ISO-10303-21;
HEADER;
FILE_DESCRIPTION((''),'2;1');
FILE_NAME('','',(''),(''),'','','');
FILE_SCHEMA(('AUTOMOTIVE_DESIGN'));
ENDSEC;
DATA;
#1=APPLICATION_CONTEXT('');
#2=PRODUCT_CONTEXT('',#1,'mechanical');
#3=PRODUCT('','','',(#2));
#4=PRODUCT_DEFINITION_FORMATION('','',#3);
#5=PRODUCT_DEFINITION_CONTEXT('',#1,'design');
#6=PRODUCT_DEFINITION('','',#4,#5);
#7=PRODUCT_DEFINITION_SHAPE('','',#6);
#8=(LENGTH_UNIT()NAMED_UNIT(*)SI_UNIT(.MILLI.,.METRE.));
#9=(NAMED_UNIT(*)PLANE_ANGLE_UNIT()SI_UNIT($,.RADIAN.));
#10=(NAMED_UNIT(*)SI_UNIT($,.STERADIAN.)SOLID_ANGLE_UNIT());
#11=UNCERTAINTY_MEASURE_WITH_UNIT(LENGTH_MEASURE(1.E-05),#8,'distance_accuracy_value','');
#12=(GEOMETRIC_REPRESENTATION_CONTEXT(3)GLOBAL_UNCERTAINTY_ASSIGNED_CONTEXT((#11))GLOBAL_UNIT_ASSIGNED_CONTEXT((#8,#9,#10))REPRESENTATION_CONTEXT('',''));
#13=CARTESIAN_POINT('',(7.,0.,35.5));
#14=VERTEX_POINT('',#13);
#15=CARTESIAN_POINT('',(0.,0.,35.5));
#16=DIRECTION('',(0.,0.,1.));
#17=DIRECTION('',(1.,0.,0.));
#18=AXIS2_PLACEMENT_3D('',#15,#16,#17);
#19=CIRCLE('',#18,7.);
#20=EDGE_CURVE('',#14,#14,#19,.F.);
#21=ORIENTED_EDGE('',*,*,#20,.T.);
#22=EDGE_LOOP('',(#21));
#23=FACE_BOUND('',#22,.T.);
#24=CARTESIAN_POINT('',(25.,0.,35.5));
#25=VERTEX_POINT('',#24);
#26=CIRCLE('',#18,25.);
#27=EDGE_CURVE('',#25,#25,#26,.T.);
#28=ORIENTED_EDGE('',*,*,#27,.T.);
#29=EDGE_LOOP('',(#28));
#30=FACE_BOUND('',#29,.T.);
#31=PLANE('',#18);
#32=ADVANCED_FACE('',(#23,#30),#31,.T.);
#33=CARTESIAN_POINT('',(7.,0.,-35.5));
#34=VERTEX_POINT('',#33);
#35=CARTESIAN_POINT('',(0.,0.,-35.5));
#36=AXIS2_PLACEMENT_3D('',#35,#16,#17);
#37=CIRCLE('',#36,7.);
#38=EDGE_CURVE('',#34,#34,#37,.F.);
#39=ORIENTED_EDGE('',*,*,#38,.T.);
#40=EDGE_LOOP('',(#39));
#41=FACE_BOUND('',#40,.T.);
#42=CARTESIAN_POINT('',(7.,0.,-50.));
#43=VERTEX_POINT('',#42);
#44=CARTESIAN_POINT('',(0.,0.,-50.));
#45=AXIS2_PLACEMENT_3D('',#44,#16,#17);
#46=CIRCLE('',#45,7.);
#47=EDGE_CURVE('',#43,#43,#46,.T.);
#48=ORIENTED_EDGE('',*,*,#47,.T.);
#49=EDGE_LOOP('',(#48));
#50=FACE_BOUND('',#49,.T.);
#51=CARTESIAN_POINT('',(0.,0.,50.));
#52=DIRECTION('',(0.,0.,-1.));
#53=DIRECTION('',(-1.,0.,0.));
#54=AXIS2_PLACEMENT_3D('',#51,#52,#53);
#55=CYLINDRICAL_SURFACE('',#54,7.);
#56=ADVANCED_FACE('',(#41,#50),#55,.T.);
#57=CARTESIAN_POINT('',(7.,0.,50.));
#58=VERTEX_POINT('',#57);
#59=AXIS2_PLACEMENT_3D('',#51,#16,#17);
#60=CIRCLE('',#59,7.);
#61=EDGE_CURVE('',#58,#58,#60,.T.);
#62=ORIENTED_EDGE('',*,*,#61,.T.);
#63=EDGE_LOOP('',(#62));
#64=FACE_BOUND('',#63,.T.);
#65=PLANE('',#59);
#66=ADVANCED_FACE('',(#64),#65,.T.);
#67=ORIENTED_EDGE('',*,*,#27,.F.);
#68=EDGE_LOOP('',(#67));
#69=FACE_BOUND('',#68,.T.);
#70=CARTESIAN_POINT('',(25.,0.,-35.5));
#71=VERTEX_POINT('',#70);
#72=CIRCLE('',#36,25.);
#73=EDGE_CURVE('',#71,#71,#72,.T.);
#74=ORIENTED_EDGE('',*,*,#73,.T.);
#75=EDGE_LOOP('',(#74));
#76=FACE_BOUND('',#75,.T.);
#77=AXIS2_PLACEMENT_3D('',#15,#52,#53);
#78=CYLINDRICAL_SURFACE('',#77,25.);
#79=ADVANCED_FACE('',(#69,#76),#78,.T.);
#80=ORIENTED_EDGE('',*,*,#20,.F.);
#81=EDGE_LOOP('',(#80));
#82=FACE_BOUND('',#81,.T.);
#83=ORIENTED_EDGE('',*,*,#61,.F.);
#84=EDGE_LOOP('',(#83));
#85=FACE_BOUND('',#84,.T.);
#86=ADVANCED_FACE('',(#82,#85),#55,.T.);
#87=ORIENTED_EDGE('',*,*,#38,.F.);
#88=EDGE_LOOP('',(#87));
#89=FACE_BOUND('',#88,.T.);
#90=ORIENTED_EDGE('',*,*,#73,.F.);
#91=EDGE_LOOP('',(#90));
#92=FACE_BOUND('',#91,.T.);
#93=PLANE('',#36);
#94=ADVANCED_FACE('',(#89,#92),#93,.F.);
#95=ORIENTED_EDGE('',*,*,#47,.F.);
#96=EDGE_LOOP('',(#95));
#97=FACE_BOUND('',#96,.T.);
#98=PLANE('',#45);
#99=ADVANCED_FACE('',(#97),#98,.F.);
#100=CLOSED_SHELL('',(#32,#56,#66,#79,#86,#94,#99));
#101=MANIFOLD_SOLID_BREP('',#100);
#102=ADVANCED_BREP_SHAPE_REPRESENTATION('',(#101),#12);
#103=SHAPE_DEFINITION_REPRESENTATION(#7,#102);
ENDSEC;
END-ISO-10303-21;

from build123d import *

# Parameters (mm, degrees)
CROQUIS1_R              = 25
SALIENTE_EXTRUIR1_DEPTH = 35.5
CROQUIS2_R              = 7
SALIENTE_EXTRUIR2_DEPTH = 50


with BuildPart() as part:
    # Croquis1 → Saliente-Extruir1 (new, symmetric)
    with BuildSketch(Plane.XY):
        Circle(CROQUIS1_R)
    extrude(amount=SALIENTE_EXTRUIR1_DEPTH, both=True)

    # Croquis2 → Saliente-Extruir2 (add, symmetric)
    with BuildSketch(Plane.XY):
        Circle(CROQUIS2_R)
    extrude(amount=SALIENTE_EXTRUIR2_DEPTH, both=True)


solid = part.part
